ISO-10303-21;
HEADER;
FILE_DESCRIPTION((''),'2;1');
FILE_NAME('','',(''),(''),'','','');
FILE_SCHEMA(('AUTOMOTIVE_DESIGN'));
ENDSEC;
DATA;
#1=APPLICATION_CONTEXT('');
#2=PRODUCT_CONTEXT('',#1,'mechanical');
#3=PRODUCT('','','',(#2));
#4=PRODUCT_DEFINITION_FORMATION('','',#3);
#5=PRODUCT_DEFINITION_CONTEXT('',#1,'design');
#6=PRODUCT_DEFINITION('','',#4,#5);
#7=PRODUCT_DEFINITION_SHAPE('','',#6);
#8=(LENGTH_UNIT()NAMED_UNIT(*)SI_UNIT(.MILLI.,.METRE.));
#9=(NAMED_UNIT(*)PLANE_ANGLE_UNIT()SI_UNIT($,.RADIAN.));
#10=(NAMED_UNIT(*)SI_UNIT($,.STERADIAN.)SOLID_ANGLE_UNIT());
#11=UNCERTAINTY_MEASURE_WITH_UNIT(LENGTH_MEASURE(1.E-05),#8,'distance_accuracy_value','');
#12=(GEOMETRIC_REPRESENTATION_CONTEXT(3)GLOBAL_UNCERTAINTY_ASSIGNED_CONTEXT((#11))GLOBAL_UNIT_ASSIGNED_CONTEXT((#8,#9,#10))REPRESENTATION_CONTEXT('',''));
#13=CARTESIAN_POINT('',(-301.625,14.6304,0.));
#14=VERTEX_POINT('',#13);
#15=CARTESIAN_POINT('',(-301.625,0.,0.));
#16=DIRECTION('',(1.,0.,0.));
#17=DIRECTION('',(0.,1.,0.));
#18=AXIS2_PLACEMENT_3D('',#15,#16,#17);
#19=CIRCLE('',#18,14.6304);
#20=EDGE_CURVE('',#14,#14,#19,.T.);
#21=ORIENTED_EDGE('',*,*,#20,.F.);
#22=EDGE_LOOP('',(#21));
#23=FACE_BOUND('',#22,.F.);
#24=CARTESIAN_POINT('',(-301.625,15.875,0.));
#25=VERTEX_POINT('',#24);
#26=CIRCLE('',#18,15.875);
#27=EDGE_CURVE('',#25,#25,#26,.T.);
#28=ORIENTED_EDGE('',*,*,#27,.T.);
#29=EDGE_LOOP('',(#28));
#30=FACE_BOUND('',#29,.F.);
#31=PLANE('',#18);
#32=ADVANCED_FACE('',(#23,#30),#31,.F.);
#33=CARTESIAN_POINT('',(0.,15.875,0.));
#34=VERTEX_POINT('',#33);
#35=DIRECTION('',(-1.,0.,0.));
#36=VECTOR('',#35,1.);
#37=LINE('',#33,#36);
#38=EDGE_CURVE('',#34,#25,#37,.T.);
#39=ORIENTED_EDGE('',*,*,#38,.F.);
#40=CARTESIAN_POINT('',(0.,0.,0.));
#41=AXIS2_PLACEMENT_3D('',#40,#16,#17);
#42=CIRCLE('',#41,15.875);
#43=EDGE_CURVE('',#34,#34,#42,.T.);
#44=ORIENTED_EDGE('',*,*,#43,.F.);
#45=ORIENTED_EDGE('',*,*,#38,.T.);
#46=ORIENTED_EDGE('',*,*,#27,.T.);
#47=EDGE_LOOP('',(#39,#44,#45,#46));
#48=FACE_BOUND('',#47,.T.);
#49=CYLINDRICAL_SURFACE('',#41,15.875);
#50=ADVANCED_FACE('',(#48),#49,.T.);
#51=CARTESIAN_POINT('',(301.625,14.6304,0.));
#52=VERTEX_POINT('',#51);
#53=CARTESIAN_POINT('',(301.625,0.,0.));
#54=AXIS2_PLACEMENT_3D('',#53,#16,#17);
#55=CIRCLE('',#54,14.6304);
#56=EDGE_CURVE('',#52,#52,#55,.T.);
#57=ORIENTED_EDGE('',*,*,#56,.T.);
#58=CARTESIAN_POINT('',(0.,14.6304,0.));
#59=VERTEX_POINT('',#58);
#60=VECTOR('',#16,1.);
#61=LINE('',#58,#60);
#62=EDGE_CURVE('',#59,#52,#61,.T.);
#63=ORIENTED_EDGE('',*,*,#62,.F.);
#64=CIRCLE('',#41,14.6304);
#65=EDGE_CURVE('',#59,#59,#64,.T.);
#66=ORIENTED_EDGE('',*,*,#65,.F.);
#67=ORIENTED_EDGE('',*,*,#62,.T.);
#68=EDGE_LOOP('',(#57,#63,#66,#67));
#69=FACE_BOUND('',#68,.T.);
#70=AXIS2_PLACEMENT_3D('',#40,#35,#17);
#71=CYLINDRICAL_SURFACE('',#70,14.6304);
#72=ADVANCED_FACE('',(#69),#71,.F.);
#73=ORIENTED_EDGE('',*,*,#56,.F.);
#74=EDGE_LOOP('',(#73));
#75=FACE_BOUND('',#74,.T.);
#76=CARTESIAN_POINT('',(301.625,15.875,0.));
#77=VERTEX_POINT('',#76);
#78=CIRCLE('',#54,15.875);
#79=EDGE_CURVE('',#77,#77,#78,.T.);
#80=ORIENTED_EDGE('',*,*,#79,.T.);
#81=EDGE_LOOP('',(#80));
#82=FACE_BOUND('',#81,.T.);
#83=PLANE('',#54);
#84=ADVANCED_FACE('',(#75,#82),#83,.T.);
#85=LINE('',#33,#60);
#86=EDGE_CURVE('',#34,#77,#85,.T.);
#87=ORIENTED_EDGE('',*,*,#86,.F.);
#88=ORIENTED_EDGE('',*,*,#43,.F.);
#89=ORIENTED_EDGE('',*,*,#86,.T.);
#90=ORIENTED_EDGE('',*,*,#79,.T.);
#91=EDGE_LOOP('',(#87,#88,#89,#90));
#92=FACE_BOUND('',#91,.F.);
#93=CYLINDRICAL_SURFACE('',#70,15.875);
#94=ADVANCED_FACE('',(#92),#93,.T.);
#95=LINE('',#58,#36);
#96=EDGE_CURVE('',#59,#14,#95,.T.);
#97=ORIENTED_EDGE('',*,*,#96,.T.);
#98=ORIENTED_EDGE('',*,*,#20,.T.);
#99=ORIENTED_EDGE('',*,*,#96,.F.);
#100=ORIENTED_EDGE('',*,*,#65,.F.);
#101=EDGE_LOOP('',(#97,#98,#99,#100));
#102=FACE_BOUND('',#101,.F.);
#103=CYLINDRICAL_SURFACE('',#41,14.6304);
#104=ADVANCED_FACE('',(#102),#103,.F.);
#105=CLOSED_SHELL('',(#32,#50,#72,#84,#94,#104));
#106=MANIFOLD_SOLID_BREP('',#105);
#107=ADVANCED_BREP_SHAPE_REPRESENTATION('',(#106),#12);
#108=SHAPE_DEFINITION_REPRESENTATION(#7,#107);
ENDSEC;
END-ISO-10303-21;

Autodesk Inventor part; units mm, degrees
ref_plane "YZ Plane" through (0, 0, 0) normal (1, 0, 0) x (0, 1, 0)
ref_plane "XZ Plane" through (0, 0, 0) normal (0, 1, 0) x (-1, 0, 0)
ref_plane "XY Plane" through (0, 0, 0) normal (0, 0, 1) x (1, 0, 0)
sketch "Sketch1" plane through (0, 0, 0) normal (1, 0, 0) x (0, 1, 0)
  circle A0 centre (0, 0) radius 15.875
  circle A1 centre (0, 0) radius 14.6304
  dimension "d0" = 31.75
  dimension "d4" = 1.2446
extrude "Extrusion1" add sketch "Sketch1" along normal mid plane 603.25
properties part number "Top Rollers" material "Aluminum 6061"
